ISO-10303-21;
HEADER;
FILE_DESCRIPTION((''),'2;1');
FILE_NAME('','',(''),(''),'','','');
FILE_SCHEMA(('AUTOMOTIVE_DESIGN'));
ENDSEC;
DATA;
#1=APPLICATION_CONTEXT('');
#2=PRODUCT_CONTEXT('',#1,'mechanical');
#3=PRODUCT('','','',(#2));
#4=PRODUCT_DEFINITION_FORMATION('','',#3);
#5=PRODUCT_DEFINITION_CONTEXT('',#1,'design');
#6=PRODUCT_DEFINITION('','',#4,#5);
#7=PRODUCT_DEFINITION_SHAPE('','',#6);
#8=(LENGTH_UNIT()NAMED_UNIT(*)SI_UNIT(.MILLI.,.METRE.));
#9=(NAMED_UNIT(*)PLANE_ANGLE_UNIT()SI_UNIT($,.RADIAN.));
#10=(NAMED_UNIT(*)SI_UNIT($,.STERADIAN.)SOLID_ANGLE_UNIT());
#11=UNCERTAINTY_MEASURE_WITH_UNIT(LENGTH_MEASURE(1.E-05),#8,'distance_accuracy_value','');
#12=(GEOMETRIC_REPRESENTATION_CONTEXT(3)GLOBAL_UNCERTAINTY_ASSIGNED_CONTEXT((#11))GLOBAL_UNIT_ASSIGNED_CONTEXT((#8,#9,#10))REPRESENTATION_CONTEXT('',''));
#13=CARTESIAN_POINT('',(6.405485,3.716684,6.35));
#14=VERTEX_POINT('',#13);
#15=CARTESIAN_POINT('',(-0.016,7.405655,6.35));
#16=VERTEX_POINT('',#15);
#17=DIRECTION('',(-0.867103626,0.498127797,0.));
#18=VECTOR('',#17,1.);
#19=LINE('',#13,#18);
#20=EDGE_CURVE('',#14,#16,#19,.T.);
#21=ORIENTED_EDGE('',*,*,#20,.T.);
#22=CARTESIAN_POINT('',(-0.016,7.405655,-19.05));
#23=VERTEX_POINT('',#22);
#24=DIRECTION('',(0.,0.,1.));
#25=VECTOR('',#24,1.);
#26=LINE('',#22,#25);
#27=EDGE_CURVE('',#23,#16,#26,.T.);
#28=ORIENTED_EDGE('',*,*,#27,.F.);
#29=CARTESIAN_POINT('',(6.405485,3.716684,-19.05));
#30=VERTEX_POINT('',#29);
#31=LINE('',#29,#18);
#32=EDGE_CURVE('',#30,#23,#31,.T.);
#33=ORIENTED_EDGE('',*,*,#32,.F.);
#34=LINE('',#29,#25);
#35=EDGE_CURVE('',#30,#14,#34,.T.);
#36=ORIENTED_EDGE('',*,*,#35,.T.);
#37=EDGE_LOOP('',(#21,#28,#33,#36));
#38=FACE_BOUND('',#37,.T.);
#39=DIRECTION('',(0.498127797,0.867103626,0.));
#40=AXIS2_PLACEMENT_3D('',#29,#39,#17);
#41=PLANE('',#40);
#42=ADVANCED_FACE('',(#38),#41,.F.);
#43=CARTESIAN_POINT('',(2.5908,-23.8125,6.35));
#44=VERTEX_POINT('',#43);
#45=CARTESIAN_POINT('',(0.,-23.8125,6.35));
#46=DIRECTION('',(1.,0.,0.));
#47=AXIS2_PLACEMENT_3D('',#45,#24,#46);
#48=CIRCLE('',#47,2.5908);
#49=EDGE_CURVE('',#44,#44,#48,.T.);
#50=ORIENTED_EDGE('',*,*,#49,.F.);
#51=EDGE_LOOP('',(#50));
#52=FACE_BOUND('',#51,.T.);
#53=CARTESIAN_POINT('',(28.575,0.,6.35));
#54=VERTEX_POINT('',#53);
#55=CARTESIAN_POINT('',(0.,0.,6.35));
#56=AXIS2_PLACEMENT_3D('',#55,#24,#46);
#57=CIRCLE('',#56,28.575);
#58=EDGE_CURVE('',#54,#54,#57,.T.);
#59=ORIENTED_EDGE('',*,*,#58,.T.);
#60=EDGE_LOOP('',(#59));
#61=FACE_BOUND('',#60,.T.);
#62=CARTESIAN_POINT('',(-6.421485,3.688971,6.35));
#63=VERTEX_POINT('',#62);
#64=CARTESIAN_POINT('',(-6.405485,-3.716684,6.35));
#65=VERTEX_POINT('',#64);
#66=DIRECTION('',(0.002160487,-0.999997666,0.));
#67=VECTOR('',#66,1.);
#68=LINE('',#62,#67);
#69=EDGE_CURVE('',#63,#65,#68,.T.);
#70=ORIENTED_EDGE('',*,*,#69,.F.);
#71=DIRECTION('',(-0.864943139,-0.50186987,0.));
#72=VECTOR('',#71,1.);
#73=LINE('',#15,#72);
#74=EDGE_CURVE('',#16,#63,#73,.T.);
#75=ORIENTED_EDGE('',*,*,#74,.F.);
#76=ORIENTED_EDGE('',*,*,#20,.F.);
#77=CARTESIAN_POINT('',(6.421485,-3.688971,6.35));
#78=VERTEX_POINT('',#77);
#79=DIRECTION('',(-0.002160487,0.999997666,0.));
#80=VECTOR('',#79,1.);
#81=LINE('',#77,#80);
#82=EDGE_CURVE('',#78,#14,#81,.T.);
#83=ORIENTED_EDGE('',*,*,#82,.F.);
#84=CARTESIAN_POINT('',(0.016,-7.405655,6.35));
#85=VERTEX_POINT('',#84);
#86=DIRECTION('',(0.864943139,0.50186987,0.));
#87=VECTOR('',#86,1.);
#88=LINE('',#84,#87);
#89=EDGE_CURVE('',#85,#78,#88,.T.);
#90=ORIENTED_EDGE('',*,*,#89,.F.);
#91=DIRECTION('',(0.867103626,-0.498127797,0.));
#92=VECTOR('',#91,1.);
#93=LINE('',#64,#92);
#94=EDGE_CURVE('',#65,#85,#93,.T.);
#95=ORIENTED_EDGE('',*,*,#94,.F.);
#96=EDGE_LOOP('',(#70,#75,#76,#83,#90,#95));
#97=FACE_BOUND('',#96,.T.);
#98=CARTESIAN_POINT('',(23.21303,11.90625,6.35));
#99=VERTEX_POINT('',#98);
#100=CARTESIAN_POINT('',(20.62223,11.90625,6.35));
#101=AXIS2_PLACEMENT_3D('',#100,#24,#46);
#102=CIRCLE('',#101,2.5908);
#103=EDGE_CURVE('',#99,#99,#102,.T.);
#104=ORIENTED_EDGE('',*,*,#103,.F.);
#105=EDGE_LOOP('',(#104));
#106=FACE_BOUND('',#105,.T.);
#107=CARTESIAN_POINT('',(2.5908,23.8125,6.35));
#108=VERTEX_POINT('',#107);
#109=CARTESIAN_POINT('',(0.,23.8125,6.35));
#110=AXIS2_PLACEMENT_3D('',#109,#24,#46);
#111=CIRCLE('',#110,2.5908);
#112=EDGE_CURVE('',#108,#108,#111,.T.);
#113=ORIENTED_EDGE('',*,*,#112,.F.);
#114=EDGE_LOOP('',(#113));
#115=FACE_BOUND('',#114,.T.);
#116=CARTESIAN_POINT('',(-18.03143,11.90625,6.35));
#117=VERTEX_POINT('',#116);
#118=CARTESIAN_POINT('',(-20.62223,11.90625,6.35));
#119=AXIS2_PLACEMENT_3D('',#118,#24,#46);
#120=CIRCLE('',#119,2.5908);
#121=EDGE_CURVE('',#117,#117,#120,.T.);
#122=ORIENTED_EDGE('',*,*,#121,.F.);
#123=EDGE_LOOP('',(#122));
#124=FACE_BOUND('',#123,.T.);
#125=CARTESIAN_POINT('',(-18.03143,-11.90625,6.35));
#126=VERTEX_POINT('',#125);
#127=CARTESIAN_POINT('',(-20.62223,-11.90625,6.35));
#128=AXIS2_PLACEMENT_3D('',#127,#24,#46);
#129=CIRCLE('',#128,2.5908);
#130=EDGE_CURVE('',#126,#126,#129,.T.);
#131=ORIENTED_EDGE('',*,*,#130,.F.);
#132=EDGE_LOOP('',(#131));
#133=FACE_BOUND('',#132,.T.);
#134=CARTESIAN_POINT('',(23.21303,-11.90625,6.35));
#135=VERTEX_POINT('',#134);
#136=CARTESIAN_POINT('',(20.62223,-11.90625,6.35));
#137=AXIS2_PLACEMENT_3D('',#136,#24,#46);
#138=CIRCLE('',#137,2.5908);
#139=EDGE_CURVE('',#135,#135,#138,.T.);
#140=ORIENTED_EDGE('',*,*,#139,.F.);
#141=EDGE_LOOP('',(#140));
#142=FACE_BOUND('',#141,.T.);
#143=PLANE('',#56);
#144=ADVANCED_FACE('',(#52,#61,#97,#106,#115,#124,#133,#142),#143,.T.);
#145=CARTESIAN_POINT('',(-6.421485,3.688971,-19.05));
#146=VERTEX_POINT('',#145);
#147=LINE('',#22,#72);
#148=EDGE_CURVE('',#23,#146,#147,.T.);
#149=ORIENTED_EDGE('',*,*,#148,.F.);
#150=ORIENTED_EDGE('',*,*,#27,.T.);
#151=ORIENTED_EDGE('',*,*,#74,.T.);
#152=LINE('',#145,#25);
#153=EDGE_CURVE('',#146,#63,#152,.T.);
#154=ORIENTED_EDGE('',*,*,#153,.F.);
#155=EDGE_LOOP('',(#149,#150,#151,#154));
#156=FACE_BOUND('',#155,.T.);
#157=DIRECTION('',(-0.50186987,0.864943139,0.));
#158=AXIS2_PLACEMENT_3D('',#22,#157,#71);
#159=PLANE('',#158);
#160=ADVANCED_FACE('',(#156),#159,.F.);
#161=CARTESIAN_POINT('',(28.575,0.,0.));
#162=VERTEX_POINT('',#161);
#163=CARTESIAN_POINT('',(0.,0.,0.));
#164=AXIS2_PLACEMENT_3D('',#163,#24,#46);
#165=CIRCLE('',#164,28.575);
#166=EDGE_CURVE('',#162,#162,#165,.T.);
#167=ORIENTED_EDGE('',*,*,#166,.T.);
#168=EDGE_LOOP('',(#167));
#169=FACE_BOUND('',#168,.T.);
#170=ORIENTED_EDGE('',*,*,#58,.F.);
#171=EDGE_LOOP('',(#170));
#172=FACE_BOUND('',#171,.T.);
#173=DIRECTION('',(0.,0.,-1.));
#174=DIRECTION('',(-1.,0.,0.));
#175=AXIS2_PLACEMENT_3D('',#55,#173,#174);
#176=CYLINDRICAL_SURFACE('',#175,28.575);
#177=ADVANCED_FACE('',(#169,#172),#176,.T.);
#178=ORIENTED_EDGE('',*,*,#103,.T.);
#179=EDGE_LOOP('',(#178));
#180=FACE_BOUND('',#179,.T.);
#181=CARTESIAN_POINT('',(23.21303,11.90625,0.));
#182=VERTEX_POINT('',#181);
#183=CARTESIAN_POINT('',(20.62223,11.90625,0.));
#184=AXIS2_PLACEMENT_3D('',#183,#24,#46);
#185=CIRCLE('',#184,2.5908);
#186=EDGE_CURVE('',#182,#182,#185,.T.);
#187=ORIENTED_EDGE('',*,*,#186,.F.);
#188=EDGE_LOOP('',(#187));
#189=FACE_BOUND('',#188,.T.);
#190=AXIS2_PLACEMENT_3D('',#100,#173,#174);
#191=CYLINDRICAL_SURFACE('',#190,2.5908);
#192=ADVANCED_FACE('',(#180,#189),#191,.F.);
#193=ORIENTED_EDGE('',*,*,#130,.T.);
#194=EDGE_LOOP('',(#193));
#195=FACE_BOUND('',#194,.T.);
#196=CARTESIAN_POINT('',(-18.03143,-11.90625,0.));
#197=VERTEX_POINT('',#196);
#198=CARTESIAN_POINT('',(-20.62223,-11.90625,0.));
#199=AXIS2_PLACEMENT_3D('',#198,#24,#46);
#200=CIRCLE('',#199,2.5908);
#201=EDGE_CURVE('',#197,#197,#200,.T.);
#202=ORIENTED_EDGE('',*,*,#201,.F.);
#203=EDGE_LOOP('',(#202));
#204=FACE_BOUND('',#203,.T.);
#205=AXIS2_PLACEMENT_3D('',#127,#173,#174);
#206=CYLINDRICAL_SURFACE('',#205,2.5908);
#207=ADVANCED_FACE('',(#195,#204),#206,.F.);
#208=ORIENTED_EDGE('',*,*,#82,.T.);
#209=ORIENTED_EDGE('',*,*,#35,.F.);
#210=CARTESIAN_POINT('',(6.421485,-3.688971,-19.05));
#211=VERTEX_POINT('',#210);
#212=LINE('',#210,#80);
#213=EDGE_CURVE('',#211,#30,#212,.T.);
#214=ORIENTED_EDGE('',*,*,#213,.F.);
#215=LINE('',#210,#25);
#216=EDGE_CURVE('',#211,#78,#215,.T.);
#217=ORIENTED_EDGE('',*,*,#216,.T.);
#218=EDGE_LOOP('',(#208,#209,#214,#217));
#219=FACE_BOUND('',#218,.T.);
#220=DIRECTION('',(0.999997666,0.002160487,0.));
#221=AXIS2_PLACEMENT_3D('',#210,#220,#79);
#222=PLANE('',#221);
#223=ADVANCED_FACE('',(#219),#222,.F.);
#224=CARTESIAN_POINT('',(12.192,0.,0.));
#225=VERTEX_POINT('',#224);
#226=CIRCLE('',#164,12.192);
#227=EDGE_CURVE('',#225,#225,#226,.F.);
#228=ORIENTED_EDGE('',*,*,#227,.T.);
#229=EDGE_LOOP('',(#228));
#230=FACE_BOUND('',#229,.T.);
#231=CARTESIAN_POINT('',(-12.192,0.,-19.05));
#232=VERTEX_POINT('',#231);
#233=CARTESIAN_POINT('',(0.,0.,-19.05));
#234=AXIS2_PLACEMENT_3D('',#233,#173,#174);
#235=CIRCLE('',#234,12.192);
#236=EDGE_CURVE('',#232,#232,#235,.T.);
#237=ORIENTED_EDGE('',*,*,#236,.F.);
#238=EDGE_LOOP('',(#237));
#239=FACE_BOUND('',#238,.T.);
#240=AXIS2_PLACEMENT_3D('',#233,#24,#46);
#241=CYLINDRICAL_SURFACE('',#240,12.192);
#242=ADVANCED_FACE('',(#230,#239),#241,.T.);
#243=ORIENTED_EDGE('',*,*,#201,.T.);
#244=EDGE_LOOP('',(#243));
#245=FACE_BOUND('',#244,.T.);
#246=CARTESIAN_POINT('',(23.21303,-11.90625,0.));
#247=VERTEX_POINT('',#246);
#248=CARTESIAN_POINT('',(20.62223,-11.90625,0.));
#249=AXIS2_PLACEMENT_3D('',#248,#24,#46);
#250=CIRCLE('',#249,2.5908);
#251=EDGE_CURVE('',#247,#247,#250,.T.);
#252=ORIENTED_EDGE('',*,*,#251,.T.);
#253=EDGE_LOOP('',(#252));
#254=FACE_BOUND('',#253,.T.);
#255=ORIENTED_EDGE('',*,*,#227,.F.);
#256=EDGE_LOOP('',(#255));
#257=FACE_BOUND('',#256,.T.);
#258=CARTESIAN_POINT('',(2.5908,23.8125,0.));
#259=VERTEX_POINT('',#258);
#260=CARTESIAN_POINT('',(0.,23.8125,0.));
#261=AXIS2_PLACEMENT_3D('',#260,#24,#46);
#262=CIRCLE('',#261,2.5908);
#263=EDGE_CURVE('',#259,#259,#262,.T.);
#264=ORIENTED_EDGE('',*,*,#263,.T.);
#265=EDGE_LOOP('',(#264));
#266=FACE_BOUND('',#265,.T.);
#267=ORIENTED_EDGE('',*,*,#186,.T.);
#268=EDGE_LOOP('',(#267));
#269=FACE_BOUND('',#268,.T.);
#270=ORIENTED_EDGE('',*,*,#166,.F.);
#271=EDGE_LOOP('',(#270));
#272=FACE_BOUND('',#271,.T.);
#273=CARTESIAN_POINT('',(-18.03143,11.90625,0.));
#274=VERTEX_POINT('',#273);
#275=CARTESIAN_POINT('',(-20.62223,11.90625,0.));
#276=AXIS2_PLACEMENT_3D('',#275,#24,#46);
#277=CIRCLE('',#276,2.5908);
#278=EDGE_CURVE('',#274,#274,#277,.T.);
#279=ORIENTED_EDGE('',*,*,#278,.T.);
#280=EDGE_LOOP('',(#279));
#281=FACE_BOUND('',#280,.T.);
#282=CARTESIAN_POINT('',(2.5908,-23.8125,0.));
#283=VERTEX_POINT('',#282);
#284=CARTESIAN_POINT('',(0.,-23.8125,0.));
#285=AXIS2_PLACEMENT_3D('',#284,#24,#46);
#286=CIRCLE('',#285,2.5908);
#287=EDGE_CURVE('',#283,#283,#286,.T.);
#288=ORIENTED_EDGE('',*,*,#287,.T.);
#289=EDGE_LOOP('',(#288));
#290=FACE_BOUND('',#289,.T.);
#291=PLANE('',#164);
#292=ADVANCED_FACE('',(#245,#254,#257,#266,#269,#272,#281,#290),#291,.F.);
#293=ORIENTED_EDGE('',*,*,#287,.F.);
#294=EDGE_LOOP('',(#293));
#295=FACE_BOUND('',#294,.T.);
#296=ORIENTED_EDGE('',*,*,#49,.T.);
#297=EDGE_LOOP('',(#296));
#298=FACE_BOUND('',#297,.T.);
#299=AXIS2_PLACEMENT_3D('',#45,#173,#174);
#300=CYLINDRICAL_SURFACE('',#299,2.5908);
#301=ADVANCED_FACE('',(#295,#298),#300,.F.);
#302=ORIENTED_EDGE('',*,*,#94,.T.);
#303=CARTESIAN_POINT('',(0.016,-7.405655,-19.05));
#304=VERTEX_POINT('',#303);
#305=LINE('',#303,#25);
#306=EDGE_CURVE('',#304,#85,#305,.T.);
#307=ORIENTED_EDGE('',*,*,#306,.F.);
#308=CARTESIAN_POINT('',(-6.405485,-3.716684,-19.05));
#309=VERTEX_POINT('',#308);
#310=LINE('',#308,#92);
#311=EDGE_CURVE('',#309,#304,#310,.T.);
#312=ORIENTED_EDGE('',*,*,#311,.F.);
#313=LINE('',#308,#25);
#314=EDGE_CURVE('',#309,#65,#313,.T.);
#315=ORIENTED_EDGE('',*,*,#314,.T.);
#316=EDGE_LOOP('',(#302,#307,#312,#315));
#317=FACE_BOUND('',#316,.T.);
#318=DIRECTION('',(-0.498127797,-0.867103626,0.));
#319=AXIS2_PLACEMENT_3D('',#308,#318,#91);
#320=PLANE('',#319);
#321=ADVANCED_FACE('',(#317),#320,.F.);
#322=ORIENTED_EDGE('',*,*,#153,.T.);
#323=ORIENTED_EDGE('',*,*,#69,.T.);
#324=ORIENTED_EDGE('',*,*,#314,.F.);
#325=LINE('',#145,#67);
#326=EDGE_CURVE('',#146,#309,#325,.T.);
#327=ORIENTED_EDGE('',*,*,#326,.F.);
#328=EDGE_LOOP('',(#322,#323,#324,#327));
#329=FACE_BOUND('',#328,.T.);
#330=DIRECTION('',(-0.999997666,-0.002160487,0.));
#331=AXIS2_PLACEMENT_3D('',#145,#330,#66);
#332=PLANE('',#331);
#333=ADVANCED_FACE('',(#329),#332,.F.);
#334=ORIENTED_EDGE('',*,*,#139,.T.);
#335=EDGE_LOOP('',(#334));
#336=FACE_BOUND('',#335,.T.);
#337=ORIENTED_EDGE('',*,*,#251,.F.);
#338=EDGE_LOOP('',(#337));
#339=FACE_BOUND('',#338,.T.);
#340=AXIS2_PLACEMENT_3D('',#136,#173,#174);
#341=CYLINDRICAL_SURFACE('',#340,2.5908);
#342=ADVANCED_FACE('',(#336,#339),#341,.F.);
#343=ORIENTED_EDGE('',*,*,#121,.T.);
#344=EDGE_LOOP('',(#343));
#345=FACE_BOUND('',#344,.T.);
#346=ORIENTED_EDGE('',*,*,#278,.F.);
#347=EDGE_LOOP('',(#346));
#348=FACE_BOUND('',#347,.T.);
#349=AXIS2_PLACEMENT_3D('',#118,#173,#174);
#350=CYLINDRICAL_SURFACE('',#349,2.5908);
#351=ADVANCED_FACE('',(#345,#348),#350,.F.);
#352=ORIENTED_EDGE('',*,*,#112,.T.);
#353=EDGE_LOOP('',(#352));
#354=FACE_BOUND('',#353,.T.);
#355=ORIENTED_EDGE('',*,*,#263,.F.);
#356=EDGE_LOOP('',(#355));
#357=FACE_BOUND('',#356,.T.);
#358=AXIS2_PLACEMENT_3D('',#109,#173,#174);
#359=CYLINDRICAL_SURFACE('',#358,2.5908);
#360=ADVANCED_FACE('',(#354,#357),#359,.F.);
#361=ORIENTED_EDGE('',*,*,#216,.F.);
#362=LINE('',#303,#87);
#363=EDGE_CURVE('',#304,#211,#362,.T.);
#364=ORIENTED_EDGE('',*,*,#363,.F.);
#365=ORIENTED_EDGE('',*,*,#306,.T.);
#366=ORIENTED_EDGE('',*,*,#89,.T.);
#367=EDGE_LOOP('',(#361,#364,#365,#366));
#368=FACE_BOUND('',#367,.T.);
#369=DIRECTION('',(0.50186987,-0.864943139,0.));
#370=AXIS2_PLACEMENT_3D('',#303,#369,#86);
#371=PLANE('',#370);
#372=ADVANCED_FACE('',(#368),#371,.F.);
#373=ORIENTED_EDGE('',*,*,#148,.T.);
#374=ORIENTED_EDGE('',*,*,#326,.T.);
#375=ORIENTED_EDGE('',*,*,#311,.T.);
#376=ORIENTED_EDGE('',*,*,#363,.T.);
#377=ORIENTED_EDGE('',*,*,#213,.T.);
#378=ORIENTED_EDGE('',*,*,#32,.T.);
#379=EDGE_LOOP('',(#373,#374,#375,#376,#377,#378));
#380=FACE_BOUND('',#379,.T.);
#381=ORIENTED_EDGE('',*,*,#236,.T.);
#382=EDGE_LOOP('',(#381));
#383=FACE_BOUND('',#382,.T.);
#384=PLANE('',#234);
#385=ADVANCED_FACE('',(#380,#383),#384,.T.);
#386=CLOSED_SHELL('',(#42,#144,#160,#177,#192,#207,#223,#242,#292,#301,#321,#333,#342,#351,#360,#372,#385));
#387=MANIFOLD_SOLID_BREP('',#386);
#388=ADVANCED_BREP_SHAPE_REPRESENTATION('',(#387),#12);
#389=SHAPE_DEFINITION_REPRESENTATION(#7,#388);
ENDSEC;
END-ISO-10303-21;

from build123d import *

# Parameters (mm, degrees)
SKETCH1_R           = 28.575
SKETCH1_R_2         = 2.5908
BOSS_EXTRUDE1_DEPTH = 6.35
SKETCH2_R           = 12.192
BOSS_EXTRUDE2_DEPTH = 19.05
CUT_EXTRUDE1_DEPTH  = 26.4


with BuildPart() as part:
    # Sketch1 → Boss-Extrude1 (new body)
    with BuildSketch(Plane.XY):
        Circle(SKETCH1_R)
        with Locations((0, 23.8125)):
            Circle(SKETCH1_R_2, mode=Mode.SUBTRACT)
        with Locations((20.622229928, 11.90625)):
            Circle(SKETCH1_R_2, mode=Mode.SUBTRACT)
        with Locations((20.622229928, -11.90625)):
            Circle(SKETCH1_R_2, mode=Mode.SUBTRACT)
        with Locations((0, -23.8125)):
            Circle(SKETCH1_R_2, mode=Mode.SUBTRACT)
        with Locations((-20.622229928, -11.90625)):
            Circle(SKETCH1_R_2, mode=Mode.SUBTRACT)
        with Locations((-20.622229928, 11.90625)):
            Circle(SKETCH1_R_2, mode=Mode.SUBTRACT)
    extrude(amount=BOSS_EXTRUDE1_DEPTH)

    # Sketch2 → Boss-Extrude2 (add)
    with BuildSketch(Plane(origin=(0, 0, 0), x_dir=(-1, 0, 0), z_dir=(0, 0, -1))):
        Circle(SKETCH2_R)
    extrude(amount=BOSS_EXTRUDE2_DEPTH)

    # Sketch3 → Cut-Extrude1 (cut, through all)
    with BuildSketch(Plane.XY.offset(6.35)):
        Polygon((6.42148496, -3.688971027), (6.405485103, 3.716683592), (-0.015999857, 7.405654619), (-6.42148496, 3.688971027), (-6.405485103, -3.716683592), (0.015999857, -7.405654619), align=None)
    extrude(amount=-CUT_EXTRUDE1_DEPTH, mode=Mode.SUBTRACT)


solid = part.part
